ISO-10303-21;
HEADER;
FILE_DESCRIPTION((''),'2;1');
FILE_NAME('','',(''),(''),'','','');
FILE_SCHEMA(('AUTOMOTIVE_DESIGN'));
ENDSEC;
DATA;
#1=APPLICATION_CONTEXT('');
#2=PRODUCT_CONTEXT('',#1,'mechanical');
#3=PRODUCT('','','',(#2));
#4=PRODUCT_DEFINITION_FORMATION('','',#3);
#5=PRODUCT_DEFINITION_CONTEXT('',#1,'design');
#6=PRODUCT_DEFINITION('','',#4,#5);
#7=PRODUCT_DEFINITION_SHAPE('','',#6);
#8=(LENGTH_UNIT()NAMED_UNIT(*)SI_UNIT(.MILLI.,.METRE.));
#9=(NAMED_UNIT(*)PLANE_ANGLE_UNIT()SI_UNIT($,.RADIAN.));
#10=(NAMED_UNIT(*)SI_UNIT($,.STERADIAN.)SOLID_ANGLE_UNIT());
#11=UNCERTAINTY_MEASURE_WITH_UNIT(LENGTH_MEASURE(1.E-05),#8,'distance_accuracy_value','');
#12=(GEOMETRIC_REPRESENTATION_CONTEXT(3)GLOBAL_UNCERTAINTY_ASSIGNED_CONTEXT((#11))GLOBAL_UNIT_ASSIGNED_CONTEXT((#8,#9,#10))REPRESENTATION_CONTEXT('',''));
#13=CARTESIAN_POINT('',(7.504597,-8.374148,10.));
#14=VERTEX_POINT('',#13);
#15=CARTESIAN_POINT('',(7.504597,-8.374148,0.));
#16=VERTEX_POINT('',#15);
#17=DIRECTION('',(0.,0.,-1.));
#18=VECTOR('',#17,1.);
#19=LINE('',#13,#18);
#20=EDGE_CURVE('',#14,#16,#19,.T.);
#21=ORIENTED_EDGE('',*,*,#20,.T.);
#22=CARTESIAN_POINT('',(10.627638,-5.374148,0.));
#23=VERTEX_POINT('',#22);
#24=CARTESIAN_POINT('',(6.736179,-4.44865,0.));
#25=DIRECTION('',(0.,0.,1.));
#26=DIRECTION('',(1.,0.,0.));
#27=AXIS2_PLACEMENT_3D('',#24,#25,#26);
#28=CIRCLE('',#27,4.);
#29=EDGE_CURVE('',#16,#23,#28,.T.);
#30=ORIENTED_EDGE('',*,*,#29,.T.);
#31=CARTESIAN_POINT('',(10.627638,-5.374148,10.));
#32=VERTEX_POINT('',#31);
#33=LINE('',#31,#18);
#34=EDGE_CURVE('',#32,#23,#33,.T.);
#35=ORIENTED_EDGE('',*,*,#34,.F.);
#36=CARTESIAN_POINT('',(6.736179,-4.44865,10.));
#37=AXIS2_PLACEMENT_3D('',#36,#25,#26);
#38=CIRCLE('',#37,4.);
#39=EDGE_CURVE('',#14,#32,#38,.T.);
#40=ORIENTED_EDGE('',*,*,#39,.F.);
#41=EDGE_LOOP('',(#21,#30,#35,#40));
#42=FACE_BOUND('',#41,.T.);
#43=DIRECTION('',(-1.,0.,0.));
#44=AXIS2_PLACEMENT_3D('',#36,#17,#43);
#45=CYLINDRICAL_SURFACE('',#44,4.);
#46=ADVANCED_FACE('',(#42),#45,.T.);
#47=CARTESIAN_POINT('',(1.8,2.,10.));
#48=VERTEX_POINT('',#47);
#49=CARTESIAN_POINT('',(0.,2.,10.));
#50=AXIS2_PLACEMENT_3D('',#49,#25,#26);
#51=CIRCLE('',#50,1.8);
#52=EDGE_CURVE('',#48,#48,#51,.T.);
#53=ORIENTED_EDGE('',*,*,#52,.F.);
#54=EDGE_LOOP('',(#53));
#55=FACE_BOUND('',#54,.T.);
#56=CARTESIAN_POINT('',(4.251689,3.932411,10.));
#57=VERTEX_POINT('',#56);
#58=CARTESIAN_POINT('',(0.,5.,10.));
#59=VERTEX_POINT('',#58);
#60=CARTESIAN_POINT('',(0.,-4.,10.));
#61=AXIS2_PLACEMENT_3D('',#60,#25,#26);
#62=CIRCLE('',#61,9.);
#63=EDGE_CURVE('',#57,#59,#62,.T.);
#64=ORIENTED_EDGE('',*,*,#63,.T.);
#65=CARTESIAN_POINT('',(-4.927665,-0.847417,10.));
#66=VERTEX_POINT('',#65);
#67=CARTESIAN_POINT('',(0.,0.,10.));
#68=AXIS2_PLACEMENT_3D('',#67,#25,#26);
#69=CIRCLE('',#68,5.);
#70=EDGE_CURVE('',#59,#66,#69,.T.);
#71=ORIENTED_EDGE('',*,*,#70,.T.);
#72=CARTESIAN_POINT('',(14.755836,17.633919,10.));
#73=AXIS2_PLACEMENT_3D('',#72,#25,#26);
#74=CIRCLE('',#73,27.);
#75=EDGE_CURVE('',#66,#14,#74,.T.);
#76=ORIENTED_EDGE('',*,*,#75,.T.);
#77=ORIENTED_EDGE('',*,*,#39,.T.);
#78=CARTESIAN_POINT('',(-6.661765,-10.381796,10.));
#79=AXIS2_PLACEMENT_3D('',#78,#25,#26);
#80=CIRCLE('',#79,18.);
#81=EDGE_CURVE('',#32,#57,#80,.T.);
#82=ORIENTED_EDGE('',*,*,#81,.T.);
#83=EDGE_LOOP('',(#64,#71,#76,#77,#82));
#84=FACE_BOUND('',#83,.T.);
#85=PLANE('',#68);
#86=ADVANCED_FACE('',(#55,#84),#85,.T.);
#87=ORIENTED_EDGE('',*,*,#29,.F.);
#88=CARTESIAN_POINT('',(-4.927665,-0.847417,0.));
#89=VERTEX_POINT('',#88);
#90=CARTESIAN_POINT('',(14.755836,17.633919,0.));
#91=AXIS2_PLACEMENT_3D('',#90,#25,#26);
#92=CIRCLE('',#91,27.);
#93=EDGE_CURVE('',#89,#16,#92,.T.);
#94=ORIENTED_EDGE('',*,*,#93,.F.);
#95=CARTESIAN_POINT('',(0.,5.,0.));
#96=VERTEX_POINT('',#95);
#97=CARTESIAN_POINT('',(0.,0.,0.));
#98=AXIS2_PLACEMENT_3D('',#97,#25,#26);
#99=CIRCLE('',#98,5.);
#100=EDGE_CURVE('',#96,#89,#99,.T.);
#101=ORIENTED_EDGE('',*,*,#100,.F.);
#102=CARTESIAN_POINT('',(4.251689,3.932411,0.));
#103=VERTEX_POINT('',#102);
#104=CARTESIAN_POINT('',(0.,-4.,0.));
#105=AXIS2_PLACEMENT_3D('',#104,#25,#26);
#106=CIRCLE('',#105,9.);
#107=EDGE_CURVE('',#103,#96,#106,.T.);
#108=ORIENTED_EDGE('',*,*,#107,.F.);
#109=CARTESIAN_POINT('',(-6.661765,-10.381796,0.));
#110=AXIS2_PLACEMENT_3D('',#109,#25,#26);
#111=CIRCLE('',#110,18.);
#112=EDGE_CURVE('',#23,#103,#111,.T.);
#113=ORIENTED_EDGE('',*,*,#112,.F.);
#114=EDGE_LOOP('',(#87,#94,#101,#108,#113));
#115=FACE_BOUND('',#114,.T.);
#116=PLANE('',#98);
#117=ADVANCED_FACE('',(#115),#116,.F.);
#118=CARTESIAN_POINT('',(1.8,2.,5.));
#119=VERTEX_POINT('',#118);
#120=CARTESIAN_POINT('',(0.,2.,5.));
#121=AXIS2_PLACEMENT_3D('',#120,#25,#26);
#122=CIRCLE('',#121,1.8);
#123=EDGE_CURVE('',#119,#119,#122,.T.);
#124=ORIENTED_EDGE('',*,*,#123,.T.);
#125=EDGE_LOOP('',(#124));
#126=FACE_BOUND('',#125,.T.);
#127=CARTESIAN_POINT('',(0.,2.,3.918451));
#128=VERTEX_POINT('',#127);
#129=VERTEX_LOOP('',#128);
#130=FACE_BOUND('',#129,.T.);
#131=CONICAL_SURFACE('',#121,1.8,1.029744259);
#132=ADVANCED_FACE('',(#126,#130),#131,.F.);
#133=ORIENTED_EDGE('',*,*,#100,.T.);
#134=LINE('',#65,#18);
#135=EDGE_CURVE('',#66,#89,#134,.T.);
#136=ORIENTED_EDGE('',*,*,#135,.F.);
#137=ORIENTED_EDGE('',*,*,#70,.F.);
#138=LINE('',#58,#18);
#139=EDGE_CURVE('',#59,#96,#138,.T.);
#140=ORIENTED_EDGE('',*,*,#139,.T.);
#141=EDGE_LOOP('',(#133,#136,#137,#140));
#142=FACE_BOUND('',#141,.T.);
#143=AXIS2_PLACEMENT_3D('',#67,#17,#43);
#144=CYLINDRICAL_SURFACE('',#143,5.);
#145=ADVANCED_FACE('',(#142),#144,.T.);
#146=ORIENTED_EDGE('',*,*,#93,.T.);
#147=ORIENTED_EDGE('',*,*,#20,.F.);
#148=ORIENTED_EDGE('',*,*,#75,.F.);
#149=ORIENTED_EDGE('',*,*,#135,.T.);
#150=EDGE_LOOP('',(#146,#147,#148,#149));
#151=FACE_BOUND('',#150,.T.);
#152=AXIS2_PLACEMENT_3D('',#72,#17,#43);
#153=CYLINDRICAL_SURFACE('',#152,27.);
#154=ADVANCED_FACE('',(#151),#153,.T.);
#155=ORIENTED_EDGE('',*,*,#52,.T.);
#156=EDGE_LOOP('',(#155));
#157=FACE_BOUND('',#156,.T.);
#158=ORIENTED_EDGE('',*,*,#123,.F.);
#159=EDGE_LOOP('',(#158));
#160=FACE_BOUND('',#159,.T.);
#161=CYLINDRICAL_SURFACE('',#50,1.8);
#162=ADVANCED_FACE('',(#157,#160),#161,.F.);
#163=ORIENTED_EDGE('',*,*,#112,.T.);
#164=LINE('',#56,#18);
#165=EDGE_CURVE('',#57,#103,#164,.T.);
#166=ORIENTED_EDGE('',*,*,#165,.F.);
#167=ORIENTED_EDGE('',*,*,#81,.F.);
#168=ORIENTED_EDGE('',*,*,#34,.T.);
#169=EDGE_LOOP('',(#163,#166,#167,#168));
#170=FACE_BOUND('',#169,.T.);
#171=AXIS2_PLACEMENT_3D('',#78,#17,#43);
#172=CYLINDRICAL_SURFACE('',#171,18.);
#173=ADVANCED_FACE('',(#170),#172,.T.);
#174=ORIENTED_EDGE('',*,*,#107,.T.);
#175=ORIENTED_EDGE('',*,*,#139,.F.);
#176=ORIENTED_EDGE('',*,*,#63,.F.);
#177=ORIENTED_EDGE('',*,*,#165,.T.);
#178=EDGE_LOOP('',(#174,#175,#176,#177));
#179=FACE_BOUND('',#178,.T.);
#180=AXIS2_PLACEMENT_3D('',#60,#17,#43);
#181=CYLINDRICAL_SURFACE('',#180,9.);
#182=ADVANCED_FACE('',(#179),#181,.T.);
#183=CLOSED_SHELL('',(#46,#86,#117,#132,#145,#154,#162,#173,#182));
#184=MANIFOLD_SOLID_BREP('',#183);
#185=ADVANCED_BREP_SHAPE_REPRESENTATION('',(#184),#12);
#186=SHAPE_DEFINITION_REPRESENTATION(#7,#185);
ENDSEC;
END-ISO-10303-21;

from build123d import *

# Parameters (mm, degrees)
BOSS_EXTRUDE3_DEPTH      = 10
M3_CLEARANCE_HOLE1_D     = 3.6
M3_CLEARANCE_HOLE1_DEPTH = 5
M3_CLEARANCE_HOLE1_TIP   = 1.081549114


with BuildPart() as part:
    # Sketch3 → Boss-Extrude3 (new body)
    with BuildSketch(Plane.XY):
        with BuildLine():
            ThreePointArc((10.627637959, -5.374147741), (8.187588203, -0.208463055), (4.251688797, 3.93241088))
            ThreePointArc((4.251688797, 3.93241088), (2.191837366, 4.729023368), (0, 5))
            ThreePointArc((0, 5), (-3.823420235, 3.222026956), (-4.927665225, -0.847416917))
            ThreePointArc((-4.927665225, -0.847416917), (0.77252532, -5.462986054), (7.504596942, -8.374147741))
            ThreePointArc((7.504596942, -8.374147741), (9.507210052, -7.33333117), (10.627637959, -5.374147741))
        make_face()
    extrude(amount=BOSS_EXTRUDE3_DEPTH)

    # M3 Clearance Hole1
    with Locations(Plane.XY.offset(10)):
        with Locations((0, 2)):
            Hole(M3_CLEARANCE_HOLE1_D / 2, depth=M3_CLEARANCE_HOLE1_DEPTH)
            with Locations((0, 0, -(M3_CLEARANCE_HOLE1_DEPTH + M3_CLEARANCE_HOLE1_TIP / 2))):  # 118° drill point
                Cone(0, M3_CLEARANCE_HOLE1_D / 2, M3_CLEARANCE_HOLE1_TIP, mode=Mode.SUBTRACT)


solid = part.part
